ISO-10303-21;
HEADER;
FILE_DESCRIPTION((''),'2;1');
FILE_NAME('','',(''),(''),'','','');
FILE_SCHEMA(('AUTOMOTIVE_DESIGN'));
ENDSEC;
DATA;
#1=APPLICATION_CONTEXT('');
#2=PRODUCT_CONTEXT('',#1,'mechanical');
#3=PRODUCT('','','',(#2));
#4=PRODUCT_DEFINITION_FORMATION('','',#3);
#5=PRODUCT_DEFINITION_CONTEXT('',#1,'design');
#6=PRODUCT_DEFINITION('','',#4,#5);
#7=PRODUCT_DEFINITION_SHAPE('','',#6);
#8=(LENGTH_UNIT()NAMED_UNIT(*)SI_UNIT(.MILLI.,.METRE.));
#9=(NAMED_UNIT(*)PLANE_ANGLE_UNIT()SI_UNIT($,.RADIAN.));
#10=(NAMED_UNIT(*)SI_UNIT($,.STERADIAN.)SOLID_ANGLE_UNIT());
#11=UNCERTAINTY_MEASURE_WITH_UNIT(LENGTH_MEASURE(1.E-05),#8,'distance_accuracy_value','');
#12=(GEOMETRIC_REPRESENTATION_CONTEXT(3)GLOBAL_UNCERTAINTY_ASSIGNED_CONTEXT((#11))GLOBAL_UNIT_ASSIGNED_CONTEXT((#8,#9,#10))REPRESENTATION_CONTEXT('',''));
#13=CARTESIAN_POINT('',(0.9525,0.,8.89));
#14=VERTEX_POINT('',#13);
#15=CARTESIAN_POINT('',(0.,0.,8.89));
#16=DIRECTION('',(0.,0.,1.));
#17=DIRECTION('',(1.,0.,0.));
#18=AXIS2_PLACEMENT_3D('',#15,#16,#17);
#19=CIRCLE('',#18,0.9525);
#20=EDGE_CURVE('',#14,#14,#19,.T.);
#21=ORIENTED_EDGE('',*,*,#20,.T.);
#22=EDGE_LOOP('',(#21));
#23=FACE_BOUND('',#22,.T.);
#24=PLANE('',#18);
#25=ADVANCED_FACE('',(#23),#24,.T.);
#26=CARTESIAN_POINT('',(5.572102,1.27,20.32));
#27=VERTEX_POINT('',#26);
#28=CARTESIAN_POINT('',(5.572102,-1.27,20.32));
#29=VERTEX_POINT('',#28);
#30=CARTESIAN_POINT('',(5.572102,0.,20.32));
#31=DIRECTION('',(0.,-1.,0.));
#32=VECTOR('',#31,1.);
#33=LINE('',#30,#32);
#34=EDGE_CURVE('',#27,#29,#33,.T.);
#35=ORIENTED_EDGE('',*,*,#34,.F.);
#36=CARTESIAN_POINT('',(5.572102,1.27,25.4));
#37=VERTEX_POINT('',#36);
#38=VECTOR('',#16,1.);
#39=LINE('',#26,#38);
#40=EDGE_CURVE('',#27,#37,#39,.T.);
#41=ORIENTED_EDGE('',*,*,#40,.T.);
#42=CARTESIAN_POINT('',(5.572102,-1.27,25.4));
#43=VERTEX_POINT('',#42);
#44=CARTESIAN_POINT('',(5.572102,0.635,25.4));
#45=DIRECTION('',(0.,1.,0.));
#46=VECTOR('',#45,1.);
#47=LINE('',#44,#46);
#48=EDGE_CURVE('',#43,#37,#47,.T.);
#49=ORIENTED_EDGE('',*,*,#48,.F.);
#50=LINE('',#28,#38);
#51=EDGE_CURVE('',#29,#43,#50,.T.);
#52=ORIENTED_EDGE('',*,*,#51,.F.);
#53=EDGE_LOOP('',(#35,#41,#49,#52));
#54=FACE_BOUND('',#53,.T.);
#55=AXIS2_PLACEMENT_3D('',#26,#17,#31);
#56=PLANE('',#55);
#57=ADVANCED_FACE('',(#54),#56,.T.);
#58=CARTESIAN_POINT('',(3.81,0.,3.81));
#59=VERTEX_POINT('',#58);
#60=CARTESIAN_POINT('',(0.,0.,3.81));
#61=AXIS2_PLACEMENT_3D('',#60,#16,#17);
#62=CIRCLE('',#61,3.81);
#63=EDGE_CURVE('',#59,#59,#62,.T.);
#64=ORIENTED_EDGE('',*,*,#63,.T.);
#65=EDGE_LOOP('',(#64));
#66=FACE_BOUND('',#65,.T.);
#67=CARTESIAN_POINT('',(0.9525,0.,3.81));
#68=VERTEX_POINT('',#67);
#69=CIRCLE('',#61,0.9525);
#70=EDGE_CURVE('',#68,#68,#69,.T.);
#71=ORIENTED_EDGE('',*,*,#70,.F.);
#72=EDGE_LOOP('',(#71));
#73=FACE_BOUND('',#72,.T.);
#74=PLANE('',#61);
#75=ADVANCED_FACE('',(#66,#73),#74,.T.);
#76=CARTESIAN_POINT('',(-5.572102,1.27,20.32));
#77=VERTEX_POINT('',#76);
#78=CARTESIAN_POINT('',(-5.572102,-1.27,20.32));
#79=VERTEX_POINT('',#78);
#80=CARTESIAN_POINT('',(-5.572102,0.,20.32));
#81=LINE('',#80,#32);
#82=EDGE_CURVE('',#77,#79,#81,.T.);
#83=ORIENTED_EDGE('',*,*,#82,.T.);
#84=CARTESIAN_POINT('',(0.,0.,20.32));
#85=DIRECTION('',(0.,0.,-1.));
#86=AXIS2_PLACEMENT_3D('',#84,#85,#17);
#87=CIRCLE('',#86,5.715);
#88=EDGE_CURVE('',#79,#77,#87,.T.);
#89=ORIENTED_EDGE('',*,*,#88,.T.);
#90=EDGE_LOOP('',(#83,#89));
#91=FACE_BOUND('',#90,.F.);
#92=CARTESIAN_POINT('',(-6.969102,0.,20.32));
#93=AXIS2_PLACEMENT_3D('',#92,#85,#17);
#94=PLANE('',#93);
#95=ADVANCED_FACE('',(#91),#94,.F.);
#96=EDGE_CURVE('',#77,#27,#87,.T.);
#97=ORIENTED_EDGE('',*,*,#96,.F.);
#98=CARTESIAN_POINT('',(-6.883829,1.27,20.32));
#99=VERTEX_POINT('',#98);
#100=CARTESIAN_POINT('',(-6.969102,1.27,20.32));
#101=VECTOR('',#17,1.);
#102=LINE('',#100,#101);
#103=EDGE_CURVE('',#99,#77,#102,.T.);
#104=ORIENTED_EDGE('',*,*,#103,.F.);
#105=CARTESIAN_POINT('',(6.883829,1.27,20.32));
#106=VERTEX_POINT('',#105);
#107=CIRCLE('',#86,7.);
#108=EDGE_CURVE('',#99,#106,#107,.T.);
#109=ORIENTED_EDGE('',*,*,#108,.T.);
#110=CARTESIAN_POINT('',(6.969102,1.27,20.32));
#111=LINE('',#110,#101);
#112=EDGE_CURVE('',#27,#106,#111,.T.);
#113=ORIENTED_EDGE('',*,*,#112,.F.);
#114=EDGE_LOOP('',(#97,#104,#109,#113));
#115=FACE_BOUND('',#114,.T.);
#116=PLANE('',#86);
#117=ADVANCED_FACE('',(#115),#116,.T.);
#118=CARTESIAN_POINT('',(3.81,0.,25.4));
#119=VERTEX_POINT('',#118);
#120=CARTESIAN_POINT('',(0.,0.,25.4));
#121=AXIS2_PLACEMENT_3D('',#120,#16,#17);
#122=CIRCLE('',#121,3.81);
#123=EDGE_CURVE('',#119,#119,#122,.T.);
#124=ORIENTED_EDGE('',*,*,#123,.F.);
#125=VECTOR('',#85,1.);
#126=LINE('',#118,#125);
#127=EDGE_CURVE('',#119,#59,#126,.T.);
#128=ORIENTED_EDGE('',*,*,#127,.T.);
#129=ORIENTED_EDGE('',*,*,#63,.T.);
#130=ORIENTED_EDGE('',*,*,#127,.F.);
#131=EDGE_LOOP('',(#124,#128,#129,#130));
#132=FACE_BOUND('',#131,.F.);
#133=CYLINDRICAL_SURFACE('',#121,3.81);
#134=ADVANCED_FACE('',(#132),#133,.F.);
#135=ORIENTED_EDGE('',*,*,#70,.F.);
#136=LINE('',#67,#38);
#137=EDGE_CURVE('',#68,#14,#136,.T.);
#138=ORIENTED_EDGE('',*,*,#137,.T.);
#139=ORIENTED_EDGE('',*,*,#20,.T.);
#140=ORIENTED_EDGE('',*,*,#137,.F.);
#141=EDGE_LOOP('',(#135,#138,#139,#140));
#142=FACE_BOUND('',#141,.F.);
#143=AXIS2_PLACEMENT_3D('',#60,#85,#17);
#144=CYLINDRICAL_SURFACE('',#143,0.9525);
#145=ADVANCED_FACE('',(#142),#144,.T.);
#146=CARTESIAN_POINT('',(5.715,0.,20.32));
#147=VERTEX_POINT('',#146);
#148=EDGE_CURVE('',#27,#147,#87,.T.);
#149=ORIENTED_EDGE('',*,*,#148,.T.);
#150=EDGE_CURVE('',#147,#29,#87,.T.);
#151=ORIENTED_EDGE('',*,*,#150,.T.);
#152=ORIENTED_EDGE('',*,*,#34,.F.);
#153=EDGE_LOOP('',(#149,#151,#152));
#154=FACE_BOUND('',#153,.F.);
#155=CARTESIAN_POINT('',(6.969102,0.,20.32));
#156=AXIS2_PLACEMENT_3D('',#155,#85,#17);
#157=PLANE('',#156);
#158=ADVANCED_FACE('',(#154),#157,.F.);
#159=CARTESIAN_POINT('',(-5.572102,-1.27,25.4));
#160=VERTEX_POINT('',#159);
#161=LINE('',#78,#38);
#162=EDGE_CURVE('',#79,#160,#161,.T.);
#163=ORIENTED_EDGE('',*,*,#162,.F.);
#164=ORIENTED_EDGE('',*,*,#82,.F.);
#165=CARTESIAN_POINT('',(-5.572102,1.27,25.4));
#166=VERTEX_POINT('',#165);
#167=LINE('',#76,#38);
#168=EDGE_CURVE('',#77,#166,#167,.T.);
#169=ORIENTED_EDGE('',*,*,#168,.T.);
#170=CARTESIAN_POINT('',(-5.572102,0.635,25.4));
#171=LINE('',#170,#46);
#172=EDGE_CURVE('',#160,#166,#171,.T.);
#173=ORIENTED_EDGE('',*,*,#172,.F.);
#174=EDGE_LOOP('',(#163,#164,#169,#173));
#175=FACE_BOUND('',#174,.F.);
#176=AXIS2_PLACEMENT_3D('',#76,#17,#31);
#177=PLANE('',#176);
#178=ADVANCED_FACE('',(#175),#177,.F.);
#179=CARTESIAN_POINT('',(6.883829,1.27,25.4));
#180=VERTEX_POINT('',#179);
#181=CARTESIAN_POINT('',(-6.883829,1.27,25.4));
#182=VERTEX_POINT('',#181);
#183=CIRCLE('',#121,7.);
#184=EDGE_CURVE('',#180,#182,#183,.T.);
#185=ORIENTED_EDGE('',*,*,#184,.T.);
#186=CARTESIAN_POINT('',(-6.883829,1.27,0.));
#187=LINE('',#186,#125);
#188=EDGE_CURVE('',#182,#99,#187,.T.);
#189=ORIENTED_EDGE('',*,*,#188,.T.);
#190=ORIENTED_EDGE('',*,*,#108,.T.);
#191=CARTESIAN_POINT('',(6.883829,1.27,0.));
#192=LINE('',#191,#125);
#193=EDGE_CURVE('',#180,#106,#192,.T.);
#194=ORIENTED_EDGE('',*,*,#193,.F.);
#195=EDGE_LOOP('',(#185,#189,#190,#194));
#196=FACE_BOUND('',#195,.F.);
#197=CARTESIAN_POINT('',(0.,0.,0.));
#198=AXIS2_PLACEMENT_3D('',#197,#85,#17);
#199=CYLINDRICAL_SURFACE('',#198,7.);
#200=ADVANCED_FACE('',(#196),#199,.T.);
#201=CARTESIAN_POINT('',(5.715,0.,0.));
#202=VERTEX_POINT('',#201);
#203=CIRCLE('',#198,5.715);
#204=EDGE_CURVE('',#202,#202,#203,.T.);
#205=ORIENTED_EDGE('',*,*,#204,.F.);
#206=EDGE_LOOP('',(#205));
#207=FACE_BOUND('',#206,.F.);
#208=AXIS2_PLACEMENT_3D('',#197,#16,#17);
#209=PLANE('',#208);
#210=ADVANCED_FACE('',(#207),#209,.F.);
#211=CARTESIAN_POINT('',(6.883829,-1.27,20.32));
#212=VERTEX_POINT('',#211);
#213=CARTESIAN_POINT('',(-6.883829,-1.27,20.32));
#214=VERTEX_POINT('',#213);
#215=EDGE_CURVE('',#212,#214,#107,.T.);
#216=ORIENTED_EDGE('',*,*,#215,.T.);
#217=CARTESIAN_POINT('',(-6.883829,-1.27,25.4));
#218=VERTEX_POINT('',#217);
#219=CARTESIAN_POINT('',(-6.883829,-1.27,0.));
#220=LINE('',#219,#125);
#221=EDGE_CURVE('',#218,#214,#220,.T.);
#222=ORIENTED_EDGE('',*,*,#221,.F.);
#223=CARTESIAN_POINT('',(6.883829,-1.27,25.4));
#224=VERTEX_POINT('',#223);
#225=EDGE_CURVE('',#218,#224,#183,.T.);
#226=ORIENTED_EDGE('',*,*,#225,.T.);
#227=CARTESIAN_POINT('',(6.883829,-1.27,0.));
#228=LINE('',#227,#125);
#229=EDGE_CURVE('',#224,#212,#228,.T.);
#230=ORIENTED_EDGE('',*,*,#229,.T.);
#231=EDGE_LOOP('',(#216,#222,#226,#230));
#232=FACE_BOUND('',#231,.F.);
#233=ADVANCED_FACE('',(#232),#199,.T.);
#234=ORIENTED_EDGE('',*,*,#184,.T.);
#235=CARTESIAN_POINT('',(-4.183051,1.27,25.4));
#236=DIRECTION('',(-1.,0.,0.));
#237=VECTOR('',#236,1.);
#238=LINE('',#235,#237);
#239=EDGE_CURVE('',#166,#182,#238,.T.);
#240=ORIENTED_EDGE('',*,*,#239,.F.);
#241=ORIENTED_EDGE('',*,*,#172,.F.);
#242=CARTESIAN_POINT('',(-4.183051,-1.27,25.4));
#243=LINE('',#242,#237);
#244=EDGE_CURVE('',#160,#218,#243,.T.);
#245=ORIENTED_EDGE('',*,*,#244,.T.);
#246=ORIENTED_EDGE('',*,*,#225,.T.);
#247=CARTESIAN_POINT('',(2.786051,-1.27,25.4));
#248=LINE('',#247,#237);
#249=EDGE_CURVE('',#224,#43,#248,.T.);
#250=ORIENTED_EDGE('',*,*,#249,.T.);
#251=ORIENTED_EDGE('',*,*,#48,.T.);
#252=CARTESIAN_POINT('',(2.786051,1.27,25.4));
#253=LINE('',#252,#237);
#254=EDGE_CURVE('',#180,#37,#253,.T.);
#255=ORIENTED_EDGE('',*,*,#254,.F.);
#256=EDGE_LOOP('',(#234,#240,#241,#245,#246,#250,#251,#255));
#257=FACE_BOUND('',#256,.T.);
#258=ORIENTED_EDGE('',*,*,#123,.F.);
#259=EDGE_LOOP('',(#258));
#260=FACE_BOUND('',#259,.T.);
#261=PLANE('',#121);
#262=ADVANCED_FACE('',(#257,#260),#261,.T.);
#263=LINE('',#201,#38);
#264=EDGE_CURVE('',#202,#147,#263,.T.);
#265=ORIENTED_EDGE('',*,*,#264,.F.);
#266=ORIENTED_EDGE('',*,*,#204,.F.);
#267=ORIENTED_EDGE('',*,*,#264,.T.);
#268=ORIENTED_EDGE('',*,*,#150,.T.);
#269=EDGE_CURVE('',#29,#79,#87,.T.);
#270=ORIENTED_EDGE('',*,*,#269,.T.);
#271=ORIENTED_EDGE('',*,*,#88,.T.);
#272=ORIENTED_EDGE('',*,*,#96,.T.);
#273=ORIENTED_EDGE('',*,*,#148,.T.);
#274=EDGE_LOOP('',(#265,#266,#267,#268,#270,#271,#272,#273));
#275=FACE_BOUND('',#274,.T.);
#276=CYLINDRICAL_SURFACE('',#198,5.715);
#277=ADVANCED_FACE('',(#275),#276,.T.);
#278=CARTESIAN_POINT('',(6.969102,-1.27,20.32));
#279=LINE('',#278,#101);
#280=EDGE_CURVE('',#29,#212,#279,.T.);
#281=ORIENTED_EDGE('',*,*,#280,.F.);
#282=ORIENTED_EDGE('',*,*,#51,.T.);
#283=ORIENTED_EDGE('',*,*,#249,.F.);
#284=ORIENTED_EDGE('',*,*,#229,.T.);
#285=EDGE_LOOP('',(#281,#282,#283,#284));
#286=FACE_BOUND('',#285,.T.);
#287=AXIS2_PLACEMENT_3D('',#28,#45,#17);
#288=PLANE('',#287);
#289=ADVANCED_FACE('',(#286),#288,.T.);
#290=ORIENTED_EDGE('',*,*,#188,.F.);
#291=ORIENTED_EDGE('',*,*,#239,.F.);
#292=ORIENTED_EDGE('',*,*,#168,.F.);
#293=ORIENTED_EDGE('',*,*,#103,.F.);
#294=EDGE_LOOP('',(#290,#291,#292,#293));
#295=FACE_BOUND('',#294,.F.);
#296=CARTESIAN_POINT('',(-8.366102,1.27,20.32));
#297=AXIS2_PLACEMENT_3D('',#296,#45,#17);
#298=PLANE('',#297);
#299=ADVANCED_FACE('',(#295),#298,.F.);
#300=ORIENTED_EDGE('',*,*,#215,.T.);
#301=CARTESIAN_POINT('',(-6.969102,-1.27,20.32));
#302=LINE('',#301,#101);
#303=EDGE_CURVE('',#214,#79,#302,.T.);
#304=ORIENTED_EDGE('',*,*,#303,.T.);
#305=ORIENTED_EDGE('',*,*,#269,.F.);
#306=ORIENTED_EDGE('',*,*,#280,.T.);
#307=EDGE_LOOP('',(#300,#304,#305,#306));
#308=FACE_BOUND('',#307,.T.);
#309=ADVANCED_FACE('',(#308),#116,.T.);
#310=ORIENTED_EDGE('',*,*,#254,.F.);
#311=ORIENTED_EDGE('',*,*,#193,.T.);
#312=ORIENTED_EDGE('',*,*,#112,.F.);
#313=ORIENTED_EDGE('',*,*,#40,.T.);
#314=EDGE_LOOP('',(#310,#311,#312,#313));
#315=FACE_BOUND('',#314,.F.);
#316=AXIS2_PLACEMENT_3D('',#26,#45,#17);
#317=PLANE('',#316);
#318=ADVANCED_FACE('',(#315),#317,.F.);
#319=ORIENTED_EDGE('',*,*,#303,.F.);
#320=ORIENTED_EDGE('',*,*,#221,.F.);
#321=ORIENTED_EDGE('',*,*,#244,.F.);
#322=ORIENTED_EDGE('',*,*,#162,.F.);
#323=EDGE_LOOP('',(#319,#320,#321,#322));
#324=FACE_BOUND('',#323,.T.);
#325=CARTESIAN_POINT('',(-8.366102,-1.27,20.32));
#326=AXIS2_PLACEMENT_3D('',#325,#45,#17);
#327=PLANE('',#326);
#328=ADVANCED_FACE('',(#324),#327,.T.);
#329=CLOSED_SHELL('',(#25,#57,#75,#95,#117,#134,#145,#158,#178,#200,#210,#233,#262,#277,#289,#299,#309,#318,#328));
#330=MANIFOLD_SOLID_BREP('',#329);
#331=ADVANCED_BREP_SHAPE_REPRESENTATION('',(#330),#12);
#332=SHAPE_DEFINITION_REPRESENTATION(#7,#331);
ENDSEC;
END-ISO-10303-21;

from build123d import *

# Parameters (mm, degrees)
F0_R     = 7
F1_DEPTH = 25.4
F2_R     = 3.81
F3_DEPTH = 21.59
F4_R     = 7
F4_R_2   = 5.715
F5_DEPTH = 20.32
F6_W     = 2.794
F6_H     = 2.54
F7_DEPTH = 25.4
F8_R     = 0.9525
F9_DEPTH = 5.08


with BuildPart() as f1:
    # F0 (on Top) → F1 (new body)
    with BuildSketch(Plane.XY):
        Circle(F0_R)
    extrude(amount=F1_DEPTH)

    # F2 (on face) → F3 (cut)
    with BuildSketch(Plane.XY.offset(25.4)):
        Circle(F2_R)
    extrude(amount=-F3_DEPTH, mode=Mode.SUBTRACT)

    # F4 (on face) → F5 (cut)
    with BuildSketch(Plane(origin=(0, 0, 0), x_dir=(1, 0, 0), z_dir=(0, 0, -1))):
        Circle(F4_R)
        Circle(F4_R_2, mode=Mode.SUBTRACT)
    extrude(amount=-F5_DEPTH, mode=Mode.SUBTRACT)

    # F6 (on face) → F7 (cut)
    with BuildSketch(Plane(origin=(0, 0, 20.32), x_dir=(1, 0, 0), z_dir=(0, 0, -1))):
        with Locations((6.969102, 0)):
            Rectangle(F6_W, F6_H)
        with Locations((-6.969102, 0)):
            Rectangle(F6_W, F6_H)
    extrude(amount=-F7_DEPTH, mode=Mode.SUBTRACT)

    # F8 (on face) → F9 (join)
    with BuildSketch(Plane.XY.offset(3.81)):
        Circle(F8_R)
    extrude(amount=F9_DEPTH)


solid = f1.part
